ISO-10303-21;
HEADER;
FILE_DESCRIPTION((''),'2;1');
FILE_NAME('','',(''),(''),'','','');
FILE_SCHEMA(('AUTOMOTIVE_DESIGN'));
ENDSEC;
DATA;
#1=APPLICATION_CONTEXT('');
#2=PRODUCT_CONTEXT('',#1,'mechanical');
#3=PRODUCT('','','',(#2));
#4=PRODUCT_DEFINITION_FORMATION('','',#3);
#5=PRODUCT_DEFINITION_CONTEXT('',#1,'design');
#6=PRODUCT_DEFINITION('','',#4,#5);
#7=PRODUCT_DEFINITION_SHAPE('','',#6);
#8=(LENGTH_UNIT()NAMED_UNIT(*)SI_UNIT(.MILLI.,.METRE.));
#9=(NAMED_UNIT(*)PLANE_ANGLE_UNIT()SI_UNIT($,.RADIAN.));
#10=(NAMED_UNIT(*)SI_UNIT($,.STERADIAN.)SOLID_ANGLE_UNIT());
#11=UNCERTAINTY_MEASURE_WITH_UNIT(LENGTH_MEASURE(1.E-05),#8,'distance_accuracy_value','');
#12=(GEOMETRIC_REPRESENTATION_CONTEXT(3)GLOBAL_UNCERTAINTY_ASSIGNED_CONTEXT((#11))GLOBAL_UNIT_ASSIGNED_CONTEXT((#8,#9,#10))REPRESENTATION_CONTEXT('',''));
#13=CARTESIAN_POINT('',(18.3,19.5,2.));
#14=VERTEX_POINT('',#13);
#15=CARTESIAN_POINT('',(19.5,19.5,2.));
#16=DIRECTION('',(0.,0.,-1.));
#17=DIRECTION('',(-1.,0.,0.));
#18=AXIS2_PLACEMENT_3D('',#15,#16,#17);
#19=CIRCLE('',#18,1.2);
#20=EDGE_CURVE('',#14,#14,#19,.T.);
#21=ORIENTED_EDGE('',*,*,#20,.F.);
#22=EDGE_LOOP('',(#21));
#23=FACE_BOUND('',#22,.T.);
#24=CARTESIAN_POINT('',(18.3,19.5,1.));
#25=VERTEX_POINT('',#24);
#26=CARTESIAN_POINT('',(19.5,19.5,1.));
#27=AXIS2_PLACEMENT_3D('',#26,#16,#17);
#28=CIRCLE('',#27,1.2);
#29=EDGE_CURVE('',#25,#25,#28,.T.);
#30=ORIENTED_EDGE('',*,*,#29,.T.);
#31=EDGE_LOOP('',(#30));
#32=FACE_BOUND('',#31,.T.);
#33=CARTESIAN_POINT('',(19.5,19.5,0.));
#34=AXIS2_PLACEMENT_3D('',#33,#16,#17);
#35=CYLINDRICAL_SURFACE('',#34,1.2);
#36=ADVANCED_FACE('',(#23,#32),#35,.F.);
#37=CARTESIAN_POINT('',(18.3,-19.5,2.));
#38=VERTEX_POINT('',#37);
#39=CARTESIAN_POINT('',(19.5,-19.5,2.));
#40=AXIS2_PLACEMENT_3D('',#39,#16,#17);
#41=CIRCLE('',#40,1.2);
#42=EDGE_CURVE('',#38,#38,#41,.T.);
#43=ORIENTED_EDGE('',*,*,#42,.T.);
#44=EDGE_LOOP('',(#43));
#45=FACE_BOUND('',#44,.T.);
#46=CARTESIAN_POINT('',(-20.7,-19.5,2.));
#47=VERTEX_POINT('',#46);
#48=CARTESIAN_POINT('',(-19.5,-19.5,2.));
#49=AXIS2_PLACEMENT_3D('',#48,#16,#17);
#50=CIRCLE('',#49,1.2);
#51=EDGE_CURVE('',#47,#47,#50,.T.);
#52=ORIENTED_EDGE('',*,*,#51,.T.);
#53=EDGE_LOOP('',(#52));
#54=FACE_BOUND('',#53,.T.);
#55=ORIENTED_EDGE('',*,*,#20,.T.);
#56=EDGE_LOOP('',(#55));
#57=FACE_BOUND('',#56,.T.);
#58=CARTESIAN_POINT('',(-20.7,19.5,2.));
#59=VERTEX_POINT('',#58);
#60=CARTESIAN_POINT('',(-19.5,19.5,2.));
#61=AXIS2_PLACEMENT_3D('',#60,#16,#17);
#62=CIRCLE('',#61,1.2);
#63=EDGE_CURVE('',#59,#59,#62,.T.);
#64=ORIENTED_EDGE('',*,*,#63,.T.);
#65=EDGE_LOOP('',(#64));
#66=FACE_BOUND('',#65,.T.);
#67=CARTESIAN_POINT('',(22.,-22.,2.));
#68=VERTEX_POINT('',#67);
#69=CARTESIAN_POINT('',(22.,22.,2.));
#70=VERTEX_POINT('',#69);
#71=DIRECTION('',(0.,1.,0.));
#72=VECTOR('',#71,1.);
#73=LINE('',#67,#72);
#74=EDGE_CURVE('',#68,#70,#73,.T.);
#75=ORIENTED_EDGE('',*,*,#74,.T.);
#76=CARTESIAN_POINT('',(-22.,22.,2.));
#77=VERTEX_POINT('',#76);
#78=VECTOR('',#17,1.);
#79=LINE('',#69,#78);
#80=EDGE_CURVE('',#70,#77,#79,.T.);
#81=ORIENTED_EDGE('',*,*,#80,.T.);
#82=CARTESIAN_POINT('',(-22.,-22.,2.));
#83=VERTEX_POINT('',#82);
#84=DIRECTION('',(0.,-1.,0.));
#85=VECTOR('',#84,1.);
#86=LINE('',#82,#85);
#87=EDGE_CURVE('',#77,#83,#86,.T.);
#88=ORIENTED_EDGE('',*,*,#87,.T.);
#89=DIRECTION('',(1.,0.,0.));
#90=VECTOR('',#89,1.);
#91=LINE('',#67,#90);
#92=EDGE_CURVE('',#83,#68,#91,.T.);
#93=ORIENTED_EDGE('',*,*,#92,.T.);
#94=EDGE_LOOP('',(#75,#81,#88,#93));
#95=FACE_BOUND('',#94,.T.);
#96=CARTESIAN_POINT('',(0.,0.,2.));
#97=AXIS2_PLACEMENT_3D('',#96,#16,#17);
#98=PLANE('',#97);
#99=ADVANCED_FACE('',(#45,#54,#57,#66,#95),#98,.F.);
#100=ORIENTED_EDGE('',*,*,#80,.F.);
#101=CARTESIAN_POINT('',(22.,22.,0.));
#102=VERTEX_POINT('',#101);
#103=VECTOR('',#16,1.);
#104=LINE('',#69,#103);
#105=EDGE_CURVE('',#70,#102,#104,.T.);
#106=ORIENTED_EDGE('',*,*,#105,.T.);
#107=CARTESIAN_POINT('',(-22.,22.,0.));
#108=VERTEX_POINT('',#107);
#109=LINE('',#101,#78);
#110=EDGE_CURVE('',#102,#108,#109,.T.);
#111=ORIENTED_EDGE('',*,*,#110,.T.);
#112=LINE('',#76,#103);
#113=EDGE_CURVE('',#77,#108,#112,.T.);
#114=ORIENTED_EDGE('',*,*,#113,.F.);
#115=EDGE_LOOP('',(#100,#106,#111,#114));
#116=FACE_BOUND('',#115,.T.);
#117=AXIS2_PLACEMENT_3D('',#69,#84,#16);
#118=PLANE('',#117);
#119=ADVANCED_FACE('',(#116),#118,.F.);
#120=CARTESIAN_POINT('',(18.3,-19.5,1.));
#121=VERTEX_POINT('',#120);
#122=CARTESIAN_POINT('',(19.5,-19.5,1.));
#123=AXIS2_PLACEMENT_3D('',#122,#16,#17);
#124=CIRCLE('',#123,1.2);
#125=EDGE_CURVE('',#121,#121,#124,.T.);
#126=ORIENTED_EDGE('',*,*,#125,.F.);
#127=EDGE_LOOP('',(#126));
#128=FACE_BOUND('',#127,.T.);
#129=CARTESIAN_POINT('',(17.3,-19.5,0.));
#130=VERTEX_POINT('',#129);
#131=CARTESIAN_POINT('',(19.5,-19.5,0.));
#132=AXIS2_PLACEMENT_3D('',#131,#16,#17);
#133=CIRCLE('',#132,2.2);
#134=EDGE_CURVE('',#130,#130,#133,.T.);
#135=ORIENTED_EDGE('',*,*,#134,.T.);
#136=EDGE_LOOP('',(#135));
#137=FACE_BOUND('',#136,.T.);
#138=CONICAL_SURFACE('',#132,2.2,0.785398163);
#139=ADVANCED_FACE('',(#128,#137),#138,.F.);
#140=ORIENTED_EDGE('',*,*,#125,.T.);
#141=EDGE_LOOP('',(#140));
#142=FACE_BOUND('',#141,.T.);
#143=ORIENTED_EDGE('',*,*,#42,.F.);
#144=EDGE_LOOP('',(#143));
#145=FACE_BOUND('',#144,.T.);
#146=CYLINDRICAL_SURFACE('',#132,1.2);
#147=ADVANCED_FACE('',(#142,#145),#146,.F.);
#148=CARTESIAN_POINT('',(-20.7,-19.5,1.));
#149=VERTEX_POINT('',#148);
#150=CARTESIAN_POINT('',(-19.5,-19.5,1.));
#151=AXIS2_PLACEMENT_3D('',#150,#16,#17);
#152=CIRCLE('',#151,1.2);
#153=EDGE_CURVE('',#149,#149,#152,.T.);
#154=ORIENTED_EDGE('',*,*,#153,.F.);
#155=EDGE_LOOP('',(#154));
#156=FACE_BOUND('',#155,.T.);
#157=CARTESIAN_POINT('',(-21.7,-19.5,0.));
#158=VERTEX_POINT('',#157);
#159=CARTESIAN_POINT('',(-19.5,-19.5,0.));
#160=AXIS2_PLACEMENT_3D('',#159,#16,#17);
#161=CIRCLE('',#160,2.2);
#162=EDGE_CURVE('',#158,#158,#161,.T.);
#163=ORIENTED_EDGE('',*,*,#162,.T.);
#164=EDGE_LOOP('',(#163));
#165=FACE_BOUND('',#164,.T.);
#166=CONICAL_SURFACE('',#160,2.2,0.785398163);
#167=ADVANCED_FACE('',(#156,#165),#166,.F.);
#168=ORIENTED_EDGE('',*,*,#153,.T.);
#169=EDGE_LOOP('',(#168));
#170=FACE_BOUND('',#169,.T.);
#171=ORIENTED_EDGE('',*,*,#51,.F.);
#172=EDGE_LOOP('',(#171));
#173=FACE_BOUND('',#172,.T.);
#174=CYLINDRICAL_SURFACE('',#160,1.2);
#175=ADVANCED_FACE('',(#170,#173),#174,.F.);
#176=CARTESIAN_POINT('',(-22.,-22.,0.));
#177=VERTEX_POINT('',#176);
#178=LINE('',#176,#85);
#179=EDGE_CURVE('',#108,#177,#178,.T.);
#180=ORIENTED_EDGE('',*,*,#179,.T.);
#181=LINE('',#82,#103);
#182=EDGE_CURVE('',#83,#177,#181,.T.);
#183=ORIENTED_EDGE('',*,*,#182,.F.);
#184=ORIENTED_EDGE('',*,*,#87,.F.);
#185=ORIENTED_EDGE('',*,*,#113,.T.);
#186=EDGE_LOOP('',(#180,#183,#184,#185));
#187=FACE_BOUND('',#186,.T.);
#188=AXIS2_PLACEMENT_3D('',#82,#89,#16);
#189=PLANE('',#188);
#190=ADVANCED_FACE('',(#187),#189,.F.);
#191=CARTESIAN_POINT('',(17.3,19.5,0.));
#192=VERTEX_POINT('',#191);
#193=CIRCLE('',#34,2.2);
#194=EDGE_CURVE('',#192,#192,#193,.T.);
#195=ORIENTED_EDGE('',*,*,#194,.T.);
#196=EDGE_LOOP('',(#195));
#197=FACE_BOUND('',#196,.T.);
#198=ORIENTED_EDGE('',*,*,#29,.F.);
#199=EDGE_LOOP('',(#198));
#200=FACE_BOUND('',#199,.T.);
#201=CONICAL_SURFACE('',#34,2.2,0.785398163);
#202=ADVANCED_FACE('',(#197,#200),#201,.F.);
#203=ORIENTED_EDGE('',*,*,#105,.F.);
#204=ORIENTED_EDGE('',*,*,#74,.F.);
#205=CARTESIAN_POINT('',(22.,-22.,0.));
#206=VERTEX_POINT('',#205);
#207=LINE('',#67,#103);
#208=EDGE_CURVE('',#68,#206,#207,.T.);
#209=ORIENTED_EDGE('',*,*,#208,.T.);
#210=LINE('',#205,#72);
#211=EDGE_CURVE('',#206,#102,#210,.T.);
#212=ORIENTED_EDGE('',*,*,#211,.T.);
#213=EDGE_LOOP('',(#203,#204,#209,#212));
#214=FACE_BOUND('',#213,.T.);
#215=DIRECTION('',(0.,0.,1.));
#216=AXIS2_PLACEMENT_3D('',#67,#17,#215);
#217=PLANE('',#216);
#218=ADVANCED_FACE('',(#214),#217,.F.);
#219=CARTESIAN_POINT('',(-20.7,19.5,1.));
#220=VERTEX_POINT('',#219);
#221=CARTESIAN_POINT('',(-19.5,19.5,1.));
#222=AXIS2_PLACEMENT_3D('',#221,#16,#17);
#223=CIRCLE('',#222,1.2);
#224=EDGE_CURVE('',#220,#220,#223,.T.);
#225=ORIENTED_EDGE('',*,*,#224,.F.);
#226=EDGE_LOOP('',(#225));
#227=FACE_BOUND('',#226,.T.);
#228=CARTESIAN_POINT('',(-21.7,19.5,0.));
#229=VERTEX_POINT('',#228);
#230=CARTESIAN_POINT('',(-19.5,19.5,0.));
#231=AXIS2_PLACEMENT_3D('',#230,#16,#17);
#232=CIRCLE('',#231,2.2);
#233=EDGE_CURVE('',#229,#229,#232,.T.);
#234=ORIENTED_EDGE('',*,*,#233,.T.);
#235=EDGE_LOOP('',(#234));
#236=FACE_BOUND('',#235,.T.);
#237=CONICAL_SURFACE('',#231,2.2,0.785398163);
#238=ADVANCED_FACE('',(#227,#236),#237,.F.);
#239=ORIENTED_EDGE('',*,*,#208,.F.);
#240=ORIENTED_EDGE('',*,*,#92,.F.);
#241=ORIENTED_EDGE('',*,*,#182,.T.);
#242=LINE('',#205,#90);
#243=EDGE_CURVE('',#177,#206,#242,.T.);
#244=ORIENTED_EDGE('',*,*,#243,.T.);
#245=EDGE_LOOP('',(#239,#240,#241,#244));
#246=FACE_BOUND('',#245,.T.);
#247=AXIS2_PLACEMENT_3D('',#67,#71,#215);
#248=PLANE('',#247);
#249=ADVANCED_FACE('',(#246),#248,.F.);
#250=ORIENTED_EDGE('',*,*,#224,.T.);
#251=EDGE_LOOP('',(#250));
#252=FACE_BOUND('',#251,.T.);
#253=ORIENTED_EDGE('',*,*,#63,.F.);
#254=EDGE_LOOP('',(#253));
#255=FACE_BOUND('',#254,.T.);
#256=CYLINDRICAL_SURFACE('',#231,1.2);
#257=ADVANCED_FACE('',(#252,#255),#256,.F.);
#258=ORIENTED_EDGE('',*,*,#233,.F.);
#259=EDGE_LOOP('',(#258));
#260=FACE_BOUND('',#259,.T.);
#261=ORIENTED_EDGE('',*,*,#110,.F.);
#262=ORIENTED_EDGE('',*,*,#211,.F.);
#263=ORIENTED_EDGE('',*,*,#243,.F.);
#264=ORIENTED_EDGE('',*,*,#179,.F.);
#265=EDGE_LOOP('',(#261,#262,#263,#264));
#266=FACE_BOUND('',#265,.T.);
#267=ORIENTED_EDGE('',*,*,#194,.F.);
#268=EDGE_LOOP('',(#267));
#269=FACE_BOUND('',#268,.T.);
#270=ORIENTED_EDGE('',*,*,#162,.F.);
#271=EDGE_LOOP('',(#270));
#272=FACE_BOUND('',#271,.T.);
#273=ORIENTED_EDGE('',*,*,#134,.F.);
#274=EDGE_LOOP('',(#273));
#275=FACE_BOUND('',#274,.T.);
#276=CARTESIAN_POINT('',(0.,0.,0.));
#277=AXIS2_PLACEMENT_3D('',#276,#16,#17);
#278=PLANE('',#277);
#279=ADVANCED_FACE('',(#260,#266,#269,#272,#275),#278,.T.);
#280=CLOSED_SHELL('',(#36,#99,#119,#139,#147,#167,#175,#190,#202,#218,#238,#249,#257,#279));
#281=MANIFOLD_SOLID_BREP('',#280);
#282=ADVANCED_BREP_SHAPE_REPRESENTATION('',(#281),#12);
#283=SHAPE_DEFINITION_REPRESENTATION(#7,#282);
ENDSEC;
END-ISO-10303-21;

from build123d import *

# Parameters (mm, degrees)
ESQUISSE1_W                                 = 44
ESQUISSE1_H                                 = 44
BOSS_EXTRU_1_DEPTH                          = 2
FRAISAGE_POUR_VIS_T_TE_FRAIS_E_M21_AT_COUNT = 2
FRAISAGE_POUR_VIS_T_TE_FRAIS_E_M21_AT_PITCH = 39


with BuildPart() as part:
    # Esquisse1 → Boss.-Extru.1 (new body)
    with BuildSketch(Plane(origin=(0, 0, 0), x_dir=(0, 1, 0), z_dir=(0, 0, 1))):
        Rectangle(ESQUISSE1_W, ESQUISSE1_H)
    extrude(amount=BOSS_EXTRU_1_DEPTH)

    # Esquisse3 → Fraisage pour vis à tête fraisée M21 (revolve, cut)
    with BuildSketch(Plane(origin=(19.5, 19.5, 0), x_dir=(0, 1, 0), z_dir=(1, 0, 0))):
        Polygon((0, 0), (0, 2), (1.2, 2), (1.2, 1), (2.2, 0), align=None)
    fraisage_pour_vis_t_te_frais_e_m21 = revolve(axis=Axis((19.5, 19.5, -6.35), (0, 0, 1)), mode=Mode.SUBTRACT)

    # Fraisage pour vis à tête fraisée M21 at: Fraisage pour vis à tête fraisée M21 ×2
    with Locations(*[(-i * FRAISAGE_POUR_VIS_T_TE_FRAIS_E_M21_AT_PITCH, 0, 0) for i in range(1, FRAISAGE_POUR_VIS_T_TE_FRAIS_E_M21_AT_COUNT)]):
        add(fraisage_pour_vis_t_te_frais_e_m21, mode=Mode.SUBTRACT)

    # Symétrie2: Fraisage pour vis à tête fraisée M21 across plane
    add(fraisage_pour_vis_t_te_frais_e_m21.mirror(Plane.ZX), mode=Mode.SUBTRACT)

    # Symétrie2 copy 1 sketch → Symétrie2 copy 1 (revolve, cut)
    with BuildSketch(Plane(origin=(-19.5, -19.5, 0), x_dir=(0, -1, 0), z_dir=(1, 0, 0))):
        Polygon((0, 0), (0, -2), (1.2, -2), (1.2, -1), (2.2, 0), align=None)
    revolve(axis=Axis((-19.5, -19.5, -6.35), (0, 0, -1)), mode=Mode.SUBTRACT)


solid = part.part
